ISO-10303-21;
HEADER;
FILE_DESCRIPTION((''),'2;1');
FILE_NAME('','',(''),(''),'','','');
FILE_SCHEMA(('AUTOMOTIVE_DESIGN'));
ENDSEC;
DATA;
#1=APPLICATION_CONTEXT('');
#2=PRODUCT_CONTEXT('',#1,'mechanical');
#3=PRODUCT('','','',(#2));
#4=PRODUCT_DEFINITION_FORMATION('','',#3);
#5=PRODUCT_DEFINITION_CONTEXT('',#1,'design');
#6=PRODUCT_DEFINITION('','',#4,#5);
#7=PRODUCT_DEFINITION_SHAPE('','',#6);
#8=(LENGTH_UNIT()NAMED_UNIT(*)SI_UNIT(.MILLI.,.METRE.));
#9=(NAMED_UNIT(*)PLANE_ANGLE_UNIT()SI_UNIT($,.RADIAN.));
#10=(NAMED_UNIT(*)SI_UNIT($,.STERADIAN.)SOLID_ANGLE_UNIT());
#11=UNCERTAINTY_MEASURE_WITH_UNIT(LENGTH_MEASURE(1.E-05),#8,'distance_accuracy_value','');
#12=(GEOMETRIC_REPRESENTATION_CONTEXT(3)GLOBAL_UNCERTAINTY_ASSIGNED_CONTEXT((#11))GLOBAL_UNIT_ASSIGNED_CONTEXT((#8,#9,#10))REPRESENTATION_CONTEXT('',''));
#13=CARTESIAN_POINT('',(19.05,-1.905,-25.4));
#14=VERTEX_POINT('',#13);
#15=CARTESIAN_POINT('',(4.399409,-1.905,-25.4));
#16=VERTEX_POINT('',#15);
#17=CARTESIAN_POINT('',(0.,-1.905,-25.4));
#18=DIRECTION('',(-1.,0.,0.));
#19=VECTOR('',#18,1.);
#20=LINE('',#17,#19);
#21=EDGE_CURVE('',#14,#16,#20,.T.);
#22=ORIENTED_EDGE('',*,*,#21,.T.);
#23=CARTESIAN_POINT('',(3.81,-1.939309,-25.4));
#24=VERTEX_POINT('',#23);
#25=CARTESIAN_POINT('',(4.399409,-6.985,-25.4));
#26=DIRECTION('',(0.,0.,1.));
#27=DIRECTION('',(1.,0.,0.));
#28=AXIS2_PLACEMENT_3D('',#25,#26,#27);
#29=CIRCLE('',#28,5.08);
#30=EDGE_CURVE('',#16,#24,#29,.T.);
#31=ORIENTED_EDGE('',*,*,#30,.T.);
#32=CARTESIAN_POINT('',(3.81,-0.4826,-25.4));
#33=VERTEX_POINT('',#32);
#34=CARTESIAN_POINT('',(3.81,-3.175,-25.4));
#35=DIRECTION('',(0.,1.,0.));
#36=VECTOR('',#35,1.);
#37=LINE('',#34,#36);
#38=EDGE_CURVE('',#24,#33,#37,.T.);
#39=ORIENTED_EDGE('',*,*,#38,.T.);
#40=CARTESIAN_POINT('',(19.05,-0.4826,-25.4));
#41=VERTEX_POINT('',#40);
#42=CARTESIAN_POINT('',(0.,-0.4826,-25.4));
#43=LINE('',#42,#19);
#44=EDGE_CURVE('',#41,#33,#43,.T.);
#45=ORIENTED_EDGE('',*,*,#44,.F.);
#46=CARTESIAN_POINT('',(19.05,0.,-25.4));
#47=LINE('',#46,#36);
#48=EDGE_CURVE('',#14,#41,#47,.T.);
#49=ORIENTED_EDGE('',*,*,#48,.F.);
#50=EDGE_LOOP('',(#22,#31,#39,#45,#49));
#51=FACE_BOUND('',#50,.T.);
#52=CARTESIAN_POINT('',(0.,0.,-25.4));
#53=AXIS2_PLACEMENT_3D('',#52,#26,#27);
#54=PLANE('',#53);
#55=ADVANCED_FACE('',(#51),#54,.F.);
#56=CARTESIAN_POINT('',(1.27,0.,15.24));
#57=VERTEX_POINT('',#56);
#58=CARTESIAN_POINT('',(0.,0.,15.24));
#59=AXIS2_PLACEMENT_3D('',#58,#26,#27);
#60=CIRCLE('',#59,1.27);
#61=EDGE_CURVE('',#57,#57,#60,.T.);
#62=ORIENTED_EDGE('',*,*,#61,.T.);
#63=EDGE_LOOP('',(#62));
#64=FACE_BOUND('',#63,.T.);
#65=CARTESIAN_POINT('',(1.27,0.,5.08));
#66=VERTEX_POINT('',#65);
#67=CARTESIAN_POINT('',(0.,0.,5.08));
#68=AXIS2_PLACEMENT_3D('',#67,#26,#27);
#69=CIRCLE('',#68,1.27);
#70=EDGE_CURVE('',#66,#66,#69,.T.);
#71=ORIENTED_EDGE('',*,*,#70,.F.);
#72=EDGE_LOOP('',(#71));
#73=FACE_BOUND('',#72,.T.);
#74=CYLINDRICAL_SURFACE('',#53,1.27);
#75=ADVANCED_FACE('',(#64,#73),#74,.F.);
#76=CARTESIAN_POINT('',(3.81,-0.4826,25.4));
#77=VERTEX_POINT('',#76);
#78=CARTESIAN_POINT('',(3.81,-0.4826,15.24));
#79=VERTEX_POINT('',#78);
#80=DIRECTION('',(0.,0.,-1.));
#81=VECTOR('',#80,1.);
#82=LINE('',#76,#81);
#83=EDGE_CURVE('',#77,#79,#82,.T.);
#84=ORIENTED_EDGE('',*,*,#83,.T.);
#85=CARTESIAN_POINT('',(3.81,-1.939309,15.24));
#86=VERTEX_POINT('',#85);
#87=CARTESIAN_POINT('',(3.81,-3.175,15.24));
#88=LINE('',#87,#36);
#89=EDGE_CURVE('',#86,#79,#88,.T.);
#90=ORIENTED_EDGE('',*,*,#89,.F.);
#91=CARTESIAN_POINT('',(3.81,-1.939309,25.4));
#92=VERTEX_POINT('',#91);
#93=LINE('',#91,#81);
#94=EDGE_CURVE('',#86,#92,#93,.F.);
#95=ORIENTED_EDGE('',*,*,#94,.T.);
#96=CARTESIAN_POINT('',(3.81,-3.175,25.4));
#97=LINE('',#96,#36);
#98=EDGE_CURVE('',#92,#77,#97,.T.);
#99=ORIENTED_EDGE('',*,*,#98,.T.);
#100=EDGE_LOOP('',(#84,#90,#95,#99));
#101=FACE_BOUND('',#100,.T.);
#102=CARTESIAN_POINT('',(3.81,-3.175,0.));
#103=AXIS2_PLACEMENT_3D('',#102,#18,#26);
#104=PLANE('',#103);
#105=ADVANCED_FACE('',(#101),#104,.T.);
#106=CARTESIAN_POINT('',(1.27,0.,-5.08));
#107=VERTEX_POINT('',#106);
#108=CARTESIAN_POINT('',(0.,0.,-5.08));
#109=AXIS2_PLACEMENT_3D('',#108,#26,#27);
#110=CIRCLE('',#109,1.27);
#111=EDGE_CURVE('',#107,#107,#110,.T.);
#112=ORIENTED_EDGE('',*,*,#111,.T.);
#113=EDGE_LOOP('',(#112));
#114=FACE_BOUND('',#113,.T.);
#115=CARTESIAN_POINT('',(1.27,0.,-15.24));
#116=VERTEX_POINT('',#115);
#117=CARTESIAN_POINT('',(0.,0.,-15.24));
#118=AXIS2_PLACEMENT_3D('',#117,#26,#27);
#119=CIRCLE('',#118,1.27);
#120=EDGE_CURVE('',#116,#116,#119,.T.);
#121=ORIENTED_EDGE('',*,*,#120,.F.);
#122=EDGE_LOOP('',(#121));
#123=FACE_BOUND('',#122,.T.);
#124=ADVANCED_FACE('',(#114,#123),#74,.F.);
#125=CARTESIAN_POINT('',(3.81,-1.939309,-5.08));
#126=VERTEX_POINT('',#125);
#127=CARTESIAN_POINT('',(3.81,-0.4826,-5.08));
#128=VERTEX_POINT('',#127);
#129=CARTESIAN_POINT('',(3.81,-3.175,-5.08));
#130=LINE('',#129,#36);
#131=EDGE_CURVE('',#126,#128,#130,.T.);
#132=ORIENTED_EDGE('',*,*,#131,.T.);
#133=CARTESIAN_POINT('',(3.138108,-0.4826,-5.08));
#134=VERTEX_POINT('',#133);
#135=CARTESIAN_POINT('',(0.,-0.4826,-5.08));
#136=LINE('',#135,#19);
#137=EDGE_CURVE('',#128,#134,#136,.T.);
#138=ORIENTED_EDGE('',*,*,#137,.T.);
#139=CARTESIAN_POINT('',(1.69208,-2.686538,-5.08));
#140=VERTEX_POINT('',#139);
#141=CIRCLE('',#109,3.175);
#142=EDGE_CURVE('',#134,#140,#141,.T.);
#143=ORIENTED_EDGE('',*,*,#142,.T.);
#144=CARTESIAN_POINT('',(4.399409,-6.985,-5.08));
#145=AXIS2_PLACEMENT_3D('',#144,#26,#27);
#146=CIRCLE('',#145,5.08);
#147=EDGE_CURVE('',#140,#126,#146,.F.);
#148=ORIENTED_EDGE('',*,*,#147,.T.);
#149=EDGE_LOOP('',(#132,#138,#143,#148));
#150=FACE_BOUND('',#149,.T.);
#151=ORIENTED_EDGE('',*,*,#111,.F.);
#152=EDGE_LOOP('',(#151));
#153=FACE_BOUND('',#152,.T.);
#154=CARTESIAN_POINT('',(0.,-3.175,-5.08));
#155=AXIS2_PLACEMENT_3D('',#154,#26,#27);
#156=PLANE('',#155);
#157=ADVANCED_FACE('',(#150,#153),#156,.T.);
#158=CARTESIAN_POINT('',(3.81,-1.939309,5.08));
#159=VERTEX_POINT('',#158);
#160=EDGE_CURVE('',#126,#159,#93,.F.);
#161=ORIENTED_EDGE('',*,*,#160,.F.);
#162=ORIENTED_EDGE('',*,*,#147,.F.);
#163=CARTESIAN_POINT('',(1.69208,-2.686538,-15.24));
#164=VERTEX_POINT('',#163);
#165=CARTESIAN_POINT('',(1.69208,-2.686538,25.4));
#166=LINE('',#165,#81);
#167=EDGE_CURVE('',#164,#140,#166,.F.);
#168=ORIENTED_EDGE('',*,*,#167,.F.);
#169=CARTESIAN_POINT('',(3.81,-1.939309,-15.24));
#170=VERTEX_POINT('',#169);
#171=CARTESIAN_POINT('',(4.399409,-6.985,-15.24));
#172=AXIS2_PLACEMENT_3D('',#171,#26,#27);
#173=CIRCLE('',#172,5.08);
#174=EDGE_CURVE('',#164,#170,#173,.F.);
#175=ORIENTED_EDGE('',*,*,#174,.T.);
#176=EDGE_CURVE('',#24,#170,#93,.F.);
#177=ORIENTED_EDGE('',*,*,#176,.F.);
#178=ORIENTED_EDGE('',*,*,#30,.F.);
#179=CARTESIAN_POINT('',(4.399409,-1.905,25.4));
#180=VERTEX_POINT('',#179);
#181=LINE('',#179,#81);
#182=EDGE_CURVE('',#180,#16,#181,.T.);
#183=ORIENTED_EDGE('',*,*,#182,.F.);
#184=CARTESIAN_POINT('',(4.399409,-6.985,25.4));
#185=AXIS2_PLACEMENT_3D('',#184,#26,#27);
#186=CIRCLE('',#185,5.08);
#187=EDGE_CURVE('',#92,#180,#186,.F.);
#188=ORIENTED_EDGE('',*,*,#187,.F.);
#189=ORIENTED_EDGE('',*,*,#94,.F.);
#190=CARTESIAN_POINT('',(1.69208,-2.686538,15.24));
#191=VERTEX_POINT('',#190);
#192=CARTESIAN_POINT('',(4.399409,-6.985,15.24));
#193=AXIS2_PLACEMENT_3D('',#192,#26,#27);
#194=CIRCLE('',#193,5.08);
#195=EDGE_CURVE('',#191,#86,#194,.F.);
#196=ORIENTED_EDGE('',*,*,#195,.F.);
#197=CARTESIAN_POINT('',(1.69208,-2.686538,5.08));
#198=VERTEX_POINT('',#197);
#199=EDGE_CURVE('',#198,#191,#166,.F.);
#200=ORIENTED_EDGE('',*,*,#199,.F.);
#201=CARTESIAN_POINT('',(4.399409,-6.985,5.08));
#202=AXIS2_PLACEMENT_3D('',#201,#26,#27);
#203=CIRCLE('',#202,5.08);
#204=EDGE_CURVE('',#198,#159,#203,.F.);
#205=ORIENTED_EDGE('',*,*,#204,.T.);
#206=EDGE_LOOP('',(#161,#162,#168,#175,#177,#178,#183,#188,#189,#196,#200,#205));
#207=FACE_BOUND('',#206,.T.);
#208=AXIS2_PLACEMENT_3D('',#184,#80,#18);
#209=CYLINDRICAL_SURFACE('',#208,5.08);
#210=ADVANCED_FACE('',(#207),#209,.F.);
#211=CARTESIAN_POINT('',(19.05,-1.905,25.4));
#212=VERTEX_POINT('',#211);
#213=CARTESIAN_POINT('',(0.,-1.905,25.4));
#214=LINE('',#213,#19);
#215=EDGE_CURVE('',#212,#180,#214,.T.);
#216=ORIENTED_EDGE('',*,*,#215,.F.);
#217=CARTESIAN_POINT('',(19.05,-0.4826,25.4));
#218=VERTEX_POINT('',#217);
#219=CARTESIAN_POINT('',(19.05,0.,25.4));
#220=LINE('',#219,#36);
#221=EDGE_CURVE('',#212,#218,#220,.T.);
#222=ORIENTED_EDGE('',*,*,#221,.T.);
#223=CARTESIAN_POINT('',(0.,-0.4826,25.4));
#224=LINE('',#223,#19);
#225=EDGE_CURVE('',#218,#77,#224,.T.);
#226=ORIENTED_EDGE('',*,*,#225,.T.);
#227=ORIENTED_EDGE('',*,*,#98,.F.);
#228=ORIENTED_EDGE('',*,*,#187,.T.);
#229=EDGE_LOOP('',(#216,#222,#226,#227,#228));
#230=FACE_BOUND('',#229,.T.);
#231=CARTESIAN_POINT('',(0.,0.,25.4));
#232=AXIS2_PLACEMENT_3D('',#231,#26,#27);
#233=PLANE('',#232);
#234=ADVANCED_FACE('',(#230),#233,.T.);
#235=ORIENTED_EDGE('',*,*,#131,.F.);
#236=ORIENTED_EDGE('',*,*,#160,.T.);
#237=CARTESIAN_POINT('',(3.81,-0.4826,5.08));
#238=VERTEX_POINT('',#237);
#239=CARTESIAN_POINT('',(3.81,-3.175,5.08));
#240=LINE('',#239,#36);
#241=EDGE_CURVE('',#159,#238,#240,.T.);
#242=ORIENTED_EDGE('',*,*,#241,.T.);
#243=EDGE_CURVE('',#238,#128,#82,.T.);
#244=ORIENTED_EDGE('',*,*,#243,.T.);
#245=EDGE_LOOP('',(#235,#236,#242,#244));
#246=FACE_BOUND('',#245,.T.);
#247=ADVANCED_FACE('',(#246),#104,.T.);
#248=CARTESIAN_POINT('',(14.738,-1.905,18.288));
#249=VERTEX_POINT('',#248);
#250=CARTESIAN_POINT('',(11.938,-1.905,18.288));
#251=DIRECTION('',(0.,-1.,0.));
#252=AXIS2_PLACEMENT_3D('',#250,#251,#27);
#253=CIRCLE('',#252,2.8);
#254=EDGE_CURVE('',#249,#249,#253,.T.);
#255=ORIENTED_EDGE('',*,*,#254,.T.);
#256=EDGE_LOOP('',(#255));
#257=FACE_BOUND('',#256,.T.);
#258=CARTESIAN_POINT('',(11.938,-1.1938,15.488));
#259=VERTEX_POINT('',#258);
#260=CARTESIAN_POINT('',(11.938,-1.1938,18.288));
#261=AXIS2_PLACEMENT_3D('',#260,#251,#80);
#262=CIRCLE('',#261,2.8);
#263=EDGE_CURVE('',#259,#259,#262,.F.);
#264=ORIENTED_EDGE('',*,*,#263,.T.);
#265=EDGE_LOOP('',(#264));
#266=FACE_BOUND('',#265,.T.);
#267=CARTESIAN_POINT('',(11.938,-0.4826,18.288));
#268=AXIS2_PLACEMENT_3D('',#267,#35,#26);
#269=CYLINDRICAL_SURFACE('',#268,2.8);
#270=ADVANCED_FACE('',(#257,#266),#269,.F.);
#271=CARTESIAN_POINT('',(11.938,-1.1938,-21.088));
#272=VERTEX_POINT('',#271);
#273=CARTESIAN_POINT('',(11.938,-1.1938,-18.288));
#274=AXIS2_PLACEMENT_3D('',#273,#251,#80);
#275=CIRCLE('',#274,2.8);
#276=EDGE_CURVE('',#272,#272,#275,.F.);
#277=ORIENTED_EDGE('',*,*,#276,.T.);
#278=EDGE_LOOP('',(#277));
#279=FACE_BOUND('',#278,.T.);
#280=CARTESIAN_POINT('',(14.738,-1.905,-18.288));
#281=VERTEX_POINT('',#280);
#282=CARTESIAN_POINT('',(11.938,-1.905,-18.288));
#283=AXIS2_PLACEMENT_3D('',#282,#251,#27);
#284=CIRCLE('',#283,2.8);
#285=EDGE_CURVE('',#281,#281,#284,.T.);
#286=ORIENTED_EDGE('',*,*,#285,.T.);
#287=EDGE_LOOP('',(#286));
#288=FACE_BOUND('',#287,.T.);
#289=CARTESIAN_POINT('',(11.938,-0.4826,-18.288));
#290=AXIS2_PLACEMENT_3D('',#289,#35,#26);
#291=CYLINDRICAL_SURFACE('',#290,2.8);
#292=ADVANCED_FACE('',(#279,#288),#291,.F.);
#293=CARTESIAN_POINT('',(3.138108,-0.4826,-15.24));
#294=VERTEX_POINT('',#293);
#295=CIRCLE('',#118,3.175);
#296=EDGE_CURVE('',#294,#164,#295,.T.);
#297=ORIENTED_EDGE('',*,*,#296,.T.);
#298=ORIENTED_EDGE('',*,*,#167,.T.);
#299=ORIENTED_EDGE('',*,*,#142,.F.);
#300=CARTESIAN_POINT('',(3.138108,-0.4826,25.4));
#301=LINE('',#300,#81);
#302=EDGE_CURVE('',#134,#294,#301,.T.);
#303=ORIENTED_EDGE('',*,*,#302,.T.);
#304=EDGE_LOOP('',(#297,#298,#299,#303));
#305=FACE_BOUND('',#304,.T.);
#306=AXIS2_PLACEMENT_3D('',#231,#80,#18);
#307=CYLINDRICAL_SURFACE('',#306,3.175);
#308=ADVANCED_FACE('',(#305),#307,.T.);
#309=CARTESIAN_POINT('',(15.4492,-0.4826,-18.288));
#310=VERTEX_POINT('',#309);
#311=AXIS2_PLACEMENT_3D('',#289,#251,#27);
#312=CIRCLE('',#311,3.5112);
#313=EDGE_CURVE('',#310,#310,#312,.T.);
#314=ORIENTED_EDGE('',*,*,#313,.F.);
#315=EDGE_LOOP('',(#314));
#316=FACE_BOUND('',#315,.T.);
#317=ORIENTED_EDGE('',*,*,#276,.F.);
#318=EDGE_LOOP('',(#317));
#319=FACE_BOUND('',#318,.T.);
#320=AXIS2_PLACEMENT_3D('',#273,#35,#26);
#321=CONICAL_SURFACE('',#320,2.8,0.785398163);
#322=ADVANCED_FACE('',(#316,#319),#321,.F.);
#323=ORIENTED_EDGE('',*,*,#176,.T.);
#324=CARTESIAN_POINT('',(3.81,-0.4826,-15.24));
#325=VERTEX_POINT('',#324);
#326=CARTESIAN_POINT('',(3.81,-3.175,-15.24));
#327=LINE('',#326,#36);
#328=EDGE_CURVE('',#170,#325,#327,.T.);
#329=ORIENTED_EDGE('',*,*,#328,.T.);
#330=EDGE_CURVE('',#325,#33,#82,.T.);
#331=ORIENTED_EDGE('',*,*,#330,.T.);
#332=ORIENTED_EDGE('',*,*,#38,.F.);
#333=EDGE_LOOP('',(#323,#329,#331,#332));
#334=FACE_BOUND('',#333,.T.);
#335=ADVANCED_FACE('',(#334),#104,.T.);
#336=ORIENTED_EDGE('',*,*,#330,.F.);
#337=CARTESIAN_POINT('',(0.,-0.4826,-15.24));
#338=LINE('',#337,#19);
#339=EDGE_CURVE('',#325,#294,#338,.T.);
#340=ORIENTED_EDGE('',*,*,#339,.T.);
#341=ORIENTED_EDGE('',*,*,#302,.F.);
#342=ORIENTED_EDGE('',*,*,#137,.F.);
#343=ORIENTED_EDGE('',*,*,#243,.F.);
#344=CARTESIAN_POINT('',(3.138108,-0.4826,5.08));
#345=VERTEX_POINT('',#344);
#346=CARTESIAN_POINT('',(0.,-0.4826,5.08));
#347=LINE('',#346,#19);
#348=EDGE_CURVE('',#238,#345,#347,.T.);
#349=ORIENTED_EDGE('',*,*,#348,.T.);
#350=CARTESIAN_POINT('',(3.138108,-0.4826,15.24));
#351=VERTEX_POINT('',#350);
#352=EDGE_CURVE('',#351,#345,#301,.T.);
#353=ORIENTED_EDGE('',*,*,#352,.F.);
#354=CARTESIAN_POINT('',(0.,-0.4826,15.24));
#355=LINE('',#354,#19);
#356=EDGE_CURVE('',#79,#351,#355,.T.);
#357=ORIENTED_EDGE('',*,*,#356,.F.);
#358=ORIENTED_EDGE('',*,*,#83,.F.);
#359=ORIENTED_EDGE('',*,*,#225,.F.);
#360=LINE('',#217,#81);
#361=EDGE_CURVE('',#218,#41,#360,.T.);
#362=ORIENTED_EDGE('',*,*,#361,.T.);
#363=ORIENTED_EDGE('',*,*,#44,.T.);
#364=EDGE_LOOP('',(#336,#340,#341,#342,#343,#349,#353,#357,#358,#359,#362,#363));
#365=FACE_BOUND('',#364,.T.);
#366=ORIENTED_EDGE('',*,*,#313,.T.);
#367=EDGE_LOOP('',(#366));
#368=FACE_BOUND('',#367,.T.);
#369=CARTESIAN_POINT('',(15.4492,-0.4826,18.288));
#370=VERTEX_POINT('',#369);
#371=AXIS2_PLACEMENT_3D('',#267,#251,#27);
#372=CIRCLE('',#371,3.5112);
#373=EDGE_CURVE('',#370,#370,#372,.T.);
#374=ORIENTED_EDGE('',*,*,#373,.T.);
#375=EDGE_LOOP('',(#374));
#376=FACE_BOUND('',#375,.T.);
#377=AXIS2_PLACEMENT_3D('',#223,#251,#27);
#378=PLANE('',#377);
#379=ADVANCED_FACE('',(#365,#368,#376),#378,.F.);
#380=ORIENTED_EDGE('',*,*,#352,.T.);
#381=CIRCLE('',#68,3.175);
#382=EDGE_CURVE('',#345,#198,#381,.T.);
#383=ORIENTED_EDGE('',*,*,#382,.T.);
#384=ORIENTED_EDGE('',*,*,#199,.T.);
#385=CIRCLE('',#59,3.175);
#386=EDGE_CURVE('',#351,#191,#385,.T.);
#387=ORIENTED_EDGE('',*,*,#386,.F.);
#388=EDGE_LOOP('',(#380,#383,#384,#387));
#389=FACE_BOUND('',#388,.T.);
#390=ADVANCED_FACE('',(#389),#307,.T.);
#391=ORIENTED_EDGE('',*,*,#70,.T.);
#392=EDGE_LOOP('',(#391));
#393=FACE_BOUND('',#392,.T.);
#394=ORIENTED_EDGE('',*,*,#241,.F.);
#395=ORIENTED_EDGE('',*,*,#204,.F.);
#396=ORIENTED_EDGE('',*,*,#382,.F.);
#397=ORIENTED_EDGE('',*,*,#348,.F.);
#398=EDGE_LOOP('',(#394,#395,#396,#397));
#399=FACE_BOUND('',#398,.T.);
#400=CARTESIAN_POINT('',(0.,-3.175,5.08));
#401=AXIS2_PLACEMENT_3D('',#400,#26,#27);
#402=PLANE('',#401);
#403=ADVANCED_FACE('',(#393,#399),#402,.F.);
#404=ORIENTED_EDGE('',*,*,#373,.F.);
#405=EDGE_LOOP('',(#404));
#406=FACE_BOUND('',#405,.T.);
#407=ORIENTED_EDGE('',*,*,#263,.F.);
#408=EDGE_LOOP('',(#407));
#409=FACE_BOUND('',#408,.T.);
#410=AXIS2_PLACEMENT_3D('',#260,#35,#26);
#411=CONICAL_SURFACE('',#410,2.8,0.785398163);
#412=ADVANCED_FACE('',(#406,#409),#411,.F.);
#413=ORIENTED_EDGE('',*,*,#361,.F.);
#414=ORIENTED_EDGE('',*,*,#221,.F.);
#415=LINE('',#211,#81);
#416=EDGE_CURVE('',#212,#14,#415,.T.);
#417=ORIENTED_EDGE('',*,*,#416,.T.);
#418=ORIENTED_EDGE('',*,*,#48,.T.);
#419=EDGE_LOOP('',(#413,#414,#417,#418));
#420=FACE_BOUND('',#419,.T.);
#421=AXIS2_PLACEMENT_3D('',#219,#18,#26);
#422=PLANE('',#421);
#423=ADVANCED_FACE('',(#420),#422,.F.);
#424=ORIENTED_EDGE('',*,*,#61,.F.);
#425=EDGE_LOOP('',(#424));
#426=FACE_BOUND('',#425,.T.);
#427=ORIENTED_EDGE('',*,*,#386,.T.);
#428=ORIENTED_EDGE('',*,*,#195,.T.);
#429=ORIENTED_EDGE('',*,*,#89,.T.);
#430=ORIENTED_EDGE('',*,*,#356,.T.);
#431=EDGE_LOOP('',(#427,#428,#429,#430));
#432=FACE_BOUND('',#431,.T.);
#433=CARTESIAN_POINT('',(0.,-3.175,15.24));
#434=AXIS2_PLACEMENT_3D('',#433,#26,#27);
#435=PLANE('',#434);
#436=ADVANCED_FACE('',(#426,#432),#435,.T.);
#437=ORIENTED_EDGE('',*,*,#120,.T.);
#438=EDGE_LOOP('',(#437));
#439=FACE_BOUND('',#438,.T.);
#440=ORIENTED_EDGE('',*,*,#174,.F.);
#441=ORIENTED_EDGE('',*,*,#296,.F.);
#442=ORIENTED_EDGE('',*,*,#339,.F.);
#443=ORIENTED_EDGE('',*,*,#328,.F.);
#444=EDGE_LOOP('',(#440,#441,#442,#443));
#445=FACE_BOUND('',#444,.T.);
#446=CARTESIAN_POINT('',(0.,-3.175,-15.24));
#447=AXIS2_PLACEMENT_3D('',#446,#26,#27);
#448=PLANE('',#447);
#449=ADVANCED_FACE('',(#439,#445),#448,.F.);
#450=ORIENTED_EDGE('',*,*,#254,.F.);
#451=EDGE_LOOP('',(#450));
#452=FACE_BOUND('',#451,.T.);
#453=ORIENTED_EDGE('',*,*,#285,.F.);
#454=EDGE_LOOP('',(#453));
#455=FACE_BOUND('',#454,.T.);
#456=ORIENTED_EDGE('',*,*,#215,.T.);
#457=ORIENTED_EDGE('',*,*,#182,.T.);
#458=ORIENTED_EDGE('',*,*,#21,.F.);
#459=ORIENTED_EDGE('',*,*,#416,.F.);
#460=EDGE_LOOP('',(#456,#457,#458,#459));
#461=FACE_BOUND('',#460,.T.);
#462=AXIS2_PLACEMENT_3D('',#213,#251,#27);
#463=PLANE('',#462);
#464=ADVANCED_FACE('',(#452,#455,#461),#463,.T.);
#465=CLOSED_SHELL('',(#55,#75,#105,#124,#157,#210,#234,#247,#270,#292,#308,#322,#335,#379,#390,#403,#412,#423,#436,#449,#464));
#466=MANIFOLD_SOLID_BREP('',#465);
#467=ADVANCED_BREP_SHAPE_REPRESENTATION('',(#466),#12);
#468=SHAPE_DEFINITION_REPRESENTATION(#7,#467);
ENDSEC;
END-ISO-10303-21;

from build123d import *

# Parameters (mm, degrees)
SKETCH4_R               = 3.175
BOSS_EXTRUDE2_DEPTH     = 25.4
FILLET1_R               = 5.08
M5_CLEARANCE_HOLE1_D    = 5.6
CUT_EXTRUDE1_DEPTH      = 32.908355123
CUT_EXTRUDE1_DEPTH_BACK = 32.908355123
SKETCH9_W               = 6.985
SKETCH9_H               = 10.16
SKETCH10_R              = 1.27
CUT_EXTRUDE2_DEPTH      = 55.347245805
CHAMFER1_SIZE           = 0.7112


with BuildPart() as part:
    # Sketch4 → Boss-Extrude2 (new, symmetric)
    with BuildSketch(Plane.XY):
        Circle(SKETCH4_R)
        with BuildLine():
            Line((19.050000043, -1.905), (19.050000043, -0.4826))
            Line((19.050000043, -0.4826), (3.138108067, -0.4826))
            ThreePointArc((3.138108067, -0.4826), (2.926778646, -1.230687513), (2.54, -1.905))
            Line((2.54, -1.905), (19.050000043, -1.905))
        make_face()
    extrude(amount=BOSS_EXTRUDE2_DEPTH, both=True)

    # Fillet1
    fillet1_edges = [part.edges().sort_by_distance(p)[0] for p in [
        (2.54, -1.905, 0),
    ]]
    fillet(fillet1_edges, radius=FILLET1_R)

    # M5 Clearance Hole1 (through all)
    with Locations(Plane(origin=(0, -0.4826, 0), x_dir=(1, 0, 0), z_dir=(0, 1, 0))):
        with Locations((11.938000043, 18.288), (11.938000043, -18.288)):
            Hole(M5_CLEARANCE_HOLE1_D / 2)

    # Sketch9 → Cut-Extrude1 (cut, two sides: drawn at the far end of the back side and taken through both)
    with BuildSketch(Plane(origin=(0, 0, 0), x_dir=(1, 0, 0), z_dir=(0, 1, 0)).offset(-CUT_EXTRUDE1_DEPTH_BACK)):
        with Locations((0.3175, -20.32)):
            Rectangle(SKETCH9_W, SKETCH9_H)
        with Locations((0.3175, 0)):
            Rectangle(SKETCH9_W, SKETCH9_H)
        with Locations((0.3175, 20.32)):
            Rectangle(SKETCH9_W, SKETCH9_H)
    extrude(amount=CUT_EXTRUDE1_DEPTH + CUT_EXTRUDE1_DEPTH_BACK, mode=Mode.SUBTRACT)

    # Sketch10 → Cut-Extrude2 (cut, through all)
    with BuildSketch(Plane.XY.offset(25.4)):
        Circle(SKETCH10_R)
    extrude(amount=-CUT_EXTRUDE2_DEPTH, mode=Mode.SUBTRACT)

    # Chamfer1
    chamfer1_edges = [part.edges().sort_by_distance(p)[0] for p in [
        (14.738000043, -0.4826, 18.288),
        (14.738000043, -0.4826, -18.288),
    ]]
    chamfer(chamfer1_edges, length=CHAMFER1_SIZE)


solid = part.part
